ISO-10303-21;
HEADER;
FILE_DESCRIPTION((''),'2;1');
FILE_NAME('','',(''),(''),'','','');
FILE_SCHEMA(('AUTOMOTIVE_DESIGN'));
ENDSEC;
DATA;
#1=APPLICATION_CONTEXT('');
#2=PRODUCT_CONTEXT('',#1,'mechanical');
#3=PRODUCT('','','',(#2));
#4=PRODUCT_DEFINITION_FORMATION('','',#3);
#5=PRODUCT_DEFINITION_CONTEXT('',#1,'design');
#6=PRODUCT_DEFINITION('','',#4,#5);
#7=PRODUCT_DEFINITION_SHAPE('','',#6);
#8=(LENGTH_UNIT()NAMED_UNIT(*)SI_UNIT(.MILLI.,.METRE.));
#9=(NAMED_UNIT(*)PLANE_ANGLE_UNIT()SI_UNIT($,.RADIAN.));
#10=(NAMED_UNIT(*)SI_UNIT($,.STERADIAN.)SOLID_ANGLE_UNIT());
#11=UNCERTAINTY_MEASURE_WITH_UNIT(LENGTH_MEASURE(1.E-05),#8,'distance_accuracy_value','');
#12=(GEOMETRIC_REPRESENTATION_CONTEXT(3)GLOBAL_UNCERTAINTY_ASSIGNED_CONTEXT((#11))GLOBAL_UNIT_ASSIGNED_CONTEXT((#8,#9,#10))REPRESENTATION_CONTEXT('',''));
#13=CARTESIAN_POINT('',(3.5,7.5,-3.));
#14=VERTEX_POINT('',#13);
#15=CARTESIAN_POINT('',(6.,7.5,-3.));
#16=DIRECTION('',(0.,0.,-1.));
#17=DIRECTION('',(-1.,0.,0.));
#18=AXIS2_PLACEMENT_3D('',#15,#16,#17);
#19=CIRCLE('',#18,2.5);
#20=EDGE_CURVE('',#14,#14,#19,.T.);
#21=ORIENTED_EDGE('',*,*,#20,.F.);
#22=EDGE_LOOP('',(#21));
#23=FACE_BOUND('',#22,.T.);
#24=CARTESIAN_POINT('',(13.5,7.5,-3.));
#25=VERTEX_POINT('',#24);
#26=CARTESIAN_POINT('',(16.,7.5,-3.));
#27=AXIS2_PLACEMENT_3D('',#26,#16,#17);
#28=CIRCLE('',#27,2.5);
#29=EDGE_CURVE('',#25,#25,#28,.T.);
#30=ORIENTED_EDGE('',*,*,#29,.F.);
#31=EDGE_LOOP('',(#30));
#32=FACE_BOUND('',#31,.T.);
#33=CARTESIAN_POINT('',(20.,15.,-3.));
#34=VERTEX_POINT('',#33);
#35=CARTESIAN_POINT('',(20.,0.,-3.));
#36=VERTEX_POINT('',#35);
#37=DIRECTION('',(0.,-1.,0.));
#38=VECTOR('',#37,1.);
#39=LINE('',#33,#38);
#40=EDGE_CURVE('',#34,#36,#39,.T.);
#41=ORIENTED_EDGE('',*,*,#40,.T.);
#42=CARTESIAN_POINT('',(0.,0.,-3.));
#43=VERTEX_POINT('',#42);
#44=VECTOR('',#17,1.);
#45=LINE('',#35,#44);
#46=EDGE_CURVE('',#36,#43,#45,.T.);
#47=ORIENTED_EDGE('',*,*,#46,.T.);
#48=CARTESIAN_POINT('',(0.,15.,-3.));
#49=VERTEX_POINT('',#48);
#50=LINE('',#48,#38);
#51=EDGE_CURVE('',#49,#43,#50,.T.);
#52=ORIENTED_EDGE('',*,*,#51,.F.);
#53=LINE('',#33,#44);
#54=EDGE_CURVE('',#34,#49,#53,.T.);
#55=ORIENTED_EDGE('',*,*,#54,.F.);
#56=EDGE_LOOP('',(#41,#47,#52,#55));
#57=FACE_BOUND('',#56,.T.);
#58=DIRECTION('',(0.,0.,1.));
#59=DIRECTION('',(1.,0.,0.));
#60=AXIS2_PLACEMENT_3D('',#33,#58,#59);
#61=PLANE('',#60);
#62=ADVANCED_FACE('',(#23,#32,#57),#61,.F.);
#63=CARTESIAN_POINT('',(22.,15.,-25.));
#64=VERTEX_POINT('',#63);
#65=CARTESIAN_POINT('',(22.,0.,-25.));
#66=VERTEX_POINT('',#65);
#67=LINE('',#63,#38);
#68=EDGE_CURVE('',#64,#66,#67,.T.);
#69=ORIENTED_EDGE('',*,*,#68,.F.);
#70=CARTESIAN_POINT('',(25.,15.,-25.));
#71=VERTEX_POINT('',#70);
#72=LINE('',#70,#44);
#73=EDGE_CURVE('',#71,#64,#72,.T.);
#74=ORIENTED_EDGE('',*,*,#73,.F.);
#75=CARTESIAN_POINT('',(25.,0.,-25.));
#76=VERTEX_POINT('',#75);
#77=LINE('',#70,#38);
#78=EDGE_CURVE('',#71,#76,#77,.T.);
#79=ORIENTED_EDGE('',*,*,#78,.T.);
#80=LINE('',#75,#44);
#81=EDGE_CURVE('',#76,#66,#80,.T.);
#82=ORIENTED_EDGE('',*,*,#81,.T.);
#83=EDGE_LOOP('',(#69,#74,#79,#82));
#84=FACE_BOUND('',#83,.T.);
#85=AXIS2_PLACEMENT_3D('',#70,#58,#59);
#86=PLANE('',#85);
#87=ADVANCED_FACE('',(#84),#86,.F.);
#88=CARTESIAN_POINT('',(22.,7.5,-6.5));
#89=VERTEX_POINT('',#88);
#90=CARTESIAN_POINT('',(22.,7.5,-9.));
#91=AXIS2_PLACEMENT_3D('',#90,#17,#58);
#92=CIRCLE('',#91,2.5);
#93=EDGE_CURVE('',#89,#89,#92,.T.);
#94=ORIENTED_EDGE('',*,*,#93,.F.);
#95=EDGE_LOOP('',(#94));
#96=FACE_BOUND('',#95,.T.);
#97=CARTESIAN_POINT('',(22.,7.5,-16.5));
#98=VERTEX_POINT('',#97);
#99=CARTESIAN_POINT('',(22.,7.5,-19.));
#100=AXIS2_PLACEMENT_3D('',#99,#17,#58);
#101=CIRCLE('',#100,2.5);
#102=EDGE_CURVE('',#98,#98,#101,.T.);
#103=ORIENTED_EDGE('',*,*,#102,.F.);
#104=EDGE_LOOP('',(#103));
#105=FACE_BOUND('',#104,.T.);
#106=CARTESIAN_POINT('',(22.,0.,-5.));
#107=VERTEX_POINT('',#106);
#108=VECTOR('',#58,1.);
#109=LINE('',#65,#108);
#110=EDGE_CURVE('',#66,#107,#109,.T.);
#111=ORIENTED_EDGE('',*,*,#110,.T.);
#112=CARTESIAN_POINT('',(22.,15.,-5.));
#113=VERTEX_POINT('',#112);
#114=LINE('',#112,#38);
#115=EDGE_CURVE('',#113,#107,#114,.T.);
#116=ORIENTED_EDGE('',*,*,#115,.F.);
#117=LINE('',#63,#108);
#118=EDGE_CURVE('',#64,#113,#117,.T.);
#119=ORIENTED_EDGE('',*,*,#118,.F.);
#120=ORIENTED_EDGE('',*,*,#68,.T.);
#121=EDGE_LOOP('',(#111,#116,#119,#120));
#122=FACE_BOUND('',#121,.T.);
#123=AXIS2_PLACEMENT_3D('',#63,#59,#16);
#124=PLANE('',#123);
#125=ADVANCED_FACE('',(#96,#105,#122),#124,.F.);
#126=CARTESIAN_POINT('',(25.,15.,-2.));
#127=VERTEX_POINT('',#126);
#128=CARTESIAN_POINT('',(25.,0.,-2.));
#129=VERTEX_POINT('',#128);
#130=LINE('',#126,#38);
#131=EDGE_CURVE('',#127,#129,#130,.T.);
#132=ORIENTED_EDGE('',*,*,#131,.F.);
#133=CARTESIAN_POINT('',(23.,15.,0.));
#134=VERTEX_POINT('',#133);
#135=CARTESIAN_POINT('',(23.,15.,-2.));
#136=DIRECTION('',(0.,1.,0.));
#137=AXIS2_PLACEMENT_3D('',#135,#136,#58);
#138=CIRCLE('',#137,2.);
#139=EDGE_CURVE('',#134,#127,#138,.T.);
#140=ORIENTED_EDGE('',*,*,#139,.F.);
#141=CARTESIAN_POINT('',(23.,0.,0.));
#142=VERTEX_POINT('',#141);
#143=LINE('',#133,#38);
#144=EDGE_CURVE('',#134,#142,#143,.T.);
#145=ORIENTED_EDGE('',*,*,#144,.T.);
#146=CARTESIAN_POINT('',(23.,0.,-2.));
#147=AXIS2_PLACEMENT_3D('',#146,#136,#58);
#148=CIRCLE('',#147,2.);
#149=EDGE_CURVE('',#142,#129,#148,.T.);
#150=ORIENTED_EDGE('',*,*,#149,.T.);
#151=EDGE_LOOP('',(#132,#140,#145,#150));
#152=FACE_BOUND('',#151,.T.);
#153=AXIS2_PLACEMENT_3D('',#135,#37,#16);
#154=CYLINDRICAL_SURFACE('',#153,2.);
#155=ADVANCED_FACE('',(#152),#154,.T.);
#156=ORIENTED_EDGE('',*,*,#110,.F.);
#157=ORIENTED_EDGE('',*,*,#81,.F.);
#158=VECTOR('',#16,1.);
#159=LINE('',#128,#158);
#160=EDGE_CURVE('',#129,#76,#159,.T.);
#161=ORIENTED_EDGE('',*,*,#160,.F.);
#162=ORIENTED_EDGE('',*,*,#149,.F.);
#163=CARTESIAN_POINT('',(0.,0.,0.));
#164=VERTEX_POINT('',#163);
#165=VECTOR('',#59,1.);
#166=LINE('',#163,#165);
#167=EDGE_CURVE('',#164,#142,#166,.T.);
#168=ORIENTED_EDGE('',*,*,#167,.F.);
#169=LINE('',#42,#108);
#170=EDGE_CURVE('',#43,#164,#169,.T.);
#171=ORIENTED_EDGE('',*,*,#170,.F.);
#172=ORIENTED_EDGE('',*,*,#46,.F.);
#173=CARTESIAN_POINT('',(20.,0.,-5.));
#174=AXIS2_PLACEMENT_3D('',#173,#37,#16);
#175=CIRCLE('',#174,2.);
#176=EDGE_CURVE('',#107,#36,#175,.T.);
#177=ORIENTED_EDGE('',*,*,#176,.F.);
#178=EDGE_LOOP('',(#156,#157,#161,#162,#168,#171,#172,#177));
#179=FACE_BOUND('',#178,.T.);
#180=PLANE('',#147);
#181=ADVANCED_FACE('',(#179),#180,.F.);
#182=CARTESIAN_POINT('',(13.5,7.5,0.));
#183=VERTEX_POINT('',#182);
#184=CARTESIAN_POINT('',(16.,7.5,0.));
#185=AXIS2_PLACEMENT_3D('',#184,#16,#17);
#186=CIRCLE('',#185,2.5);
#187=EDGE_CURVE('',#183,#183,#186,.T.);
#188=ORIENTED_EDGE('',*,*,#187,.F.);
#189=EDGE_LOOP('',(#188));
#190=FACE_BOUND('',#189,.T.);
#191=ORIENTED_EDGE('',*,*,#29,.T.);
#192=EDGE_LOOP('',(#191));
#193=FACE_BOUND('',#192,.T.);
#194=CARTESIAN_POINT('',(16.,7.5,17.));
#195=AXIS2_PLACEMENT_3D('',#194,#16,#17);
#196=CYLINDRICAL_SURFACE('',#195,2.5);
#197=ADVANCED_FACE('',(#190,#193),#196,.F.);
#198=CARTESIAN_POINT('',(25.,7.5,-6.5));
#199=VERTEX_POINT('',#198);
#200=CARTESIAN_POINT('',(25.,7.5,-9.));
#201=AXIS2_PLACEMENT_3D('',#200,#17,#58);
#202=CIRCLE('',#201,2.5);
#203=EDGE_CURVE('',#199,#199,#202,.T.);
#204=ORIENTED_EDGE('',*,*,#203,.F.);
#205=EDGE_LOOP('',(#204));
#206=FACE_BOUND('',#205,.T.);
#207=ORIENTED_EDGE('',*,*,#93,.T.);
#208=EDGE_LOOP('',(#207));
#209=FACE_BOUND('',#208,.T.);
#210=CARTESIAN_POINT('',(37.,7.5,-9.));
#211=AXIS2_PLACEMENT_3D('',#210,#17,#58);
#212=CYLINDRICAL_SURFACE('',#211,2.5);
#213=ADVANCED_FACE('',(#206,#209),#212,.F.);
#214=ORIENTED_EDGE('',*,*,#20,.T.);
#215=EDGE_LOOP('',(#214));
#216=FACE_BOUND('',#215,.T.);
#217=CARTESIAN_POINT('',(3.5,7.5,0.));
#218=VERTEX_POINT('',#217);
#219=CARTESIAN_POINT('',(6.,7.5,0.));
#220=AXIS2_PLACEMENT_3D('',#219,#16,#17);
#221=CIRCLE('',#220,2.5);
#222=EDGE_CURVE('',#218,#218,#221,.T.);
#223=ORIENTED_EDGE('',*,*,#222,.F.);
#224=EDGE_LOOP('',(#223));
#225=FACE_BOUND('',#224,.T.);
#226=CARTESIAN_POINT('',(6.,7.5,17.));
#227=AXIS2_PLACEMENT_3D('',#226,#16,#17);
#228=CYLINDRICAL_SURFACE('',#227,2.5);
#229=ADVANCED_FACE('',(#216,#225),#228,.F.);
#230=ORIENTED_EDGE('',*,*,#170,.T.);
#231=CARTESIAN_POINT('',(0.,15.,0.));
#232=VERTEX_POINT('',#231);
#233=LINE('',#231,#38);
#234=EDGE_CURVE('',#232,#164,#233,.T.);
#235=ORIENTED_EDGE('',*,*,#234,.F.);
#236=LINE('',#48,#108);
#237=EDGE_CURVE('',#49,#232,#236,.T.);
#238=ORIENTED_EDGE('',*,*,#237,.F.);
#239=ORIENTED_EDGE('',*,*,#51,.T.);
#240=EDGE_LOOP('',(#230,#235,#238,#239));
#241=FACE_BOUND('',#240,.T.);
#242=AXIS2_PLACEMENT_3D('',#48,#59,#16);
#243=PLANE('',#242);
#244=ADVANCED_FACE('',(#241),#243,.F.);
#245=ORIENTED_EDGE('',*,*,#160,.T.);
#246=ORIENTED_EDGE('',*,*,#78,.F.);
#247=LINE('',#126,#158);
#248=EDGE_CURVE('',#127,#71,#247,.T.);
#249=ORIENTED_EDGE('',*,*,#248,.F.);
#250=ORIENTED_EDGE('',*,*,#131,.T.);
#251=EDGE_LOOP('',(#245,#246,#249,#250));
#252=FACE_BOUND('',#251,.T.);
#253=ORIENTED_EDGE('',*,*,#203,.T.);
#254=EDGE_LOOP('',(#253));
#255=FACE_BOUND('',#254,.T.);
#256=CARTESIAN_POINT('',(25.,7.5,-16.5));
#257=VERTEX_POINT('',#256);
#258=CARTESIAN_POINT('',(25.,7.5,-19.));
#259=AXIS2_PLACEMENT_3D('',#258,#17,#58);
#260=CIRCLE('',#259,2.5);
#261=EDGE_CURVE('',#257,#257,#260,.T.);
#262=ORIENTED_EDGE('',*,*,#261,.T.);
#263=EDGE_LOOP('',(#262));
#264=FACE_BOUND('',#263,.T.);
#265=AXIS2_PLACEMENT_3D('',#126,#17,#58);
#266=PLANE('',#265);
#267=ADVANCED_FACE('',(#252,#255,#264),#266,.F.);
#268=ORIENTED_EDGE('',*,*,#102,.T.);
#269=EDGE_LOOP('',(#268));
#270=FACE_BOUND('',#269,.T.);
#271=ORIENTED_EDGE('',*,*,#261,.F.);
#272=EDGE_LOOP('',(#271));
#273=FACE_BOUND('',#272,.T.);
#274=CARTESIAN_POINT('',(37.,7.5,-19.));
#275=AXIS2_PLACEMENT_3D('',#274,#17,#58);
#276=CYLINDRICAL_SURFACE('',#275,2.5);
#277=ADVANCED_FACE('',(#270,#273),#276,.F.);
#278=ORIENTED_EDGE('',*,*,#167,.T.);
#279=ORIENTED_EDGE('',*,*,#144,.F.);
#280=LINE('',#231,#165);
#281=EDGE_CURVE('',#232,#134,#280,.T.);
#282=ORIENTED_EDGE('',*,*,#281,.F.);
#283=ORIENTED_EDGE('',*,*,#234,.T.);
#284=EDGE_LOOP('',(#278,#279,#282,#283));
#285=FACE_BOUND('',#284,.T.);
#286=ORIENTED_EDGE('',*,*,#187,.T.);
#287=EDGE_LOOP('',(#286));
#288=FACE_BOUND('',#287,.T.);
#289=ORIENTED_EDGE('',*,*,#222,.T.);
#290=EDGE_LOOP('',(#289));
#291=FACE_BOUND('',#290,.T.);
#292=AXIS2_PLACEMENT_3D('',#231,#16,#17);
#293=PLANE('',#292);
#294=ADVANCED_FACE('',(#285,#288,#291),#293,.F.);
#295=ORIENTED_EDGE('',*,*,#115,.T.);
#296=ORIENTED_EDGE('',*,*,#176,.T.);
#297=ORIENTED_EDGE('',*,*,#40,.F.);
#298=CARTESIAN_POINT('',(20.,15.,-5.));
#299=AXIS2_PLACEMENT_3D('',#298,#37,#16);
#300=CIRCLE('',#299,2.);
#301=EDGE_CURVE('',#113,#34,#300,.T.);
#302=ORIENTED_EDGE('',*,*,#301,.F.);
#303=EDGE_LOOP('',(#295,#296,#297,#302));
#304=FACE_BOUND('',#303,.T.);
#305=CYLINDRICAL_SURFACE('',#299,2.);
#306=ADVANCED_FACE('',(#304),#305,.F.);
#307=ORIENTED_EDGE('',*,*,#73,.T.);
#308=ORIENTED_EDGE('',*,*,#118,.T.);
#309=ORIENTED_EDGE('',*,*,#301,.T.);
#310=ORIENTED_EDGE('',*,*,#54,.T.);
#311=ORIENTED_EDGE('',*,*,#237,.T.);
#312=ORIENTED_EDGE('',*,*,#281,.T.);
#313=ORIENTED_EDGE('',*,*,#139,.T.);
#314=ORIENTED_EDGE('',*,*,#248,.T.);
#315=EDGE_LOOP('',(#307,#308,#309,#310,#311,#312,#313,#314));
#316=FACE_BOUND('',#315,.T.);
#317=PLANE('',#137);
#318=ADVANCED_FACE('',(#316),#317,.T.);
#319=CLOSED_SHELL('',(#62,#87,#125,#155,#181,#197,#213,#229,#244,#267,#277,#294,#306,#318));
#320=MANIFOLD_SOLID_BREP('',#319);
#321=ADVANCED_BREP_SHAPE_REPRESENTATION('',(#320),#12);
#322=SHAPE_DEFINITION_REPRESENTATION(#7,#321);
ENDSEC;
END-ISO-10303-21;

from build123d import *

# Parameters (mm, degrees)
SALIENTE_EXTRUIR1_DEPTH = 15
CROQUIS2_R              = 2.5
CORTAR_EXTRUIR1_DEPTH   = 20
CROQUIS3_R              = 2.5
CORTAR_EXTRUIR2_DEPTH   = 15


with BuildPart() as part:
    # Croquis1 → Saliente-Extruir1 (new body)
    with BuildSketch(Plane(origin=(0, 0, 0), x_dir=(1, 0, 0), z_dir=(0, 1, 0))):
        with BuildLine():
            Line((0, 0), (23, 0))
            ThreePointArc((23, 0), (24.414213562, 0.585786438), (25, 2))
            Line((25, 2), (25, 25))
            Line((25, 25), (22, 25))
            Line((22, 25), (22, 5))
            ThreePointArc((22, 5), (21.414213562, 3.585786438), (20, 3))
            Line((20, 3), (0, 3))
            Line((0, 3), (0, 0))
        make_face()
    extrude(amount=SALIENTE_EXTRUIR1_DEPTH)

    # Croquis2 → Cortar-Extruir1 (cut)
    with BuildSketch(Plane(origin=(0, 0, -3), x_dir=(-1, 0, 0), z_dir=(0, 0, -1))):
        with Locations((-16, 7.5)):
            Circle(CROQUIS2_R)
        with Locations((-6, 7.5)):
            Circle(CROQUIS2_R)
    extrude(amount=-CORTAR_EXTRUIR1_DEPTH, mode=Mode.SUBTRACT)

    # Croquis3 → Cortar-Extruir2 (cut)
    with BuildSketch(Plane.ZY.offset(-22)):
        with Locations((-9, 7.5)):
            Circle(CROQUIS3_R)
        with Locations((-19, 7.5)):
            Circle(CROQUIS3_R)
    extrude(amount=-CORTAR_EXTRUIR2_DEPTH, mode=Mode.SUBTRACT)


solid = part.part
